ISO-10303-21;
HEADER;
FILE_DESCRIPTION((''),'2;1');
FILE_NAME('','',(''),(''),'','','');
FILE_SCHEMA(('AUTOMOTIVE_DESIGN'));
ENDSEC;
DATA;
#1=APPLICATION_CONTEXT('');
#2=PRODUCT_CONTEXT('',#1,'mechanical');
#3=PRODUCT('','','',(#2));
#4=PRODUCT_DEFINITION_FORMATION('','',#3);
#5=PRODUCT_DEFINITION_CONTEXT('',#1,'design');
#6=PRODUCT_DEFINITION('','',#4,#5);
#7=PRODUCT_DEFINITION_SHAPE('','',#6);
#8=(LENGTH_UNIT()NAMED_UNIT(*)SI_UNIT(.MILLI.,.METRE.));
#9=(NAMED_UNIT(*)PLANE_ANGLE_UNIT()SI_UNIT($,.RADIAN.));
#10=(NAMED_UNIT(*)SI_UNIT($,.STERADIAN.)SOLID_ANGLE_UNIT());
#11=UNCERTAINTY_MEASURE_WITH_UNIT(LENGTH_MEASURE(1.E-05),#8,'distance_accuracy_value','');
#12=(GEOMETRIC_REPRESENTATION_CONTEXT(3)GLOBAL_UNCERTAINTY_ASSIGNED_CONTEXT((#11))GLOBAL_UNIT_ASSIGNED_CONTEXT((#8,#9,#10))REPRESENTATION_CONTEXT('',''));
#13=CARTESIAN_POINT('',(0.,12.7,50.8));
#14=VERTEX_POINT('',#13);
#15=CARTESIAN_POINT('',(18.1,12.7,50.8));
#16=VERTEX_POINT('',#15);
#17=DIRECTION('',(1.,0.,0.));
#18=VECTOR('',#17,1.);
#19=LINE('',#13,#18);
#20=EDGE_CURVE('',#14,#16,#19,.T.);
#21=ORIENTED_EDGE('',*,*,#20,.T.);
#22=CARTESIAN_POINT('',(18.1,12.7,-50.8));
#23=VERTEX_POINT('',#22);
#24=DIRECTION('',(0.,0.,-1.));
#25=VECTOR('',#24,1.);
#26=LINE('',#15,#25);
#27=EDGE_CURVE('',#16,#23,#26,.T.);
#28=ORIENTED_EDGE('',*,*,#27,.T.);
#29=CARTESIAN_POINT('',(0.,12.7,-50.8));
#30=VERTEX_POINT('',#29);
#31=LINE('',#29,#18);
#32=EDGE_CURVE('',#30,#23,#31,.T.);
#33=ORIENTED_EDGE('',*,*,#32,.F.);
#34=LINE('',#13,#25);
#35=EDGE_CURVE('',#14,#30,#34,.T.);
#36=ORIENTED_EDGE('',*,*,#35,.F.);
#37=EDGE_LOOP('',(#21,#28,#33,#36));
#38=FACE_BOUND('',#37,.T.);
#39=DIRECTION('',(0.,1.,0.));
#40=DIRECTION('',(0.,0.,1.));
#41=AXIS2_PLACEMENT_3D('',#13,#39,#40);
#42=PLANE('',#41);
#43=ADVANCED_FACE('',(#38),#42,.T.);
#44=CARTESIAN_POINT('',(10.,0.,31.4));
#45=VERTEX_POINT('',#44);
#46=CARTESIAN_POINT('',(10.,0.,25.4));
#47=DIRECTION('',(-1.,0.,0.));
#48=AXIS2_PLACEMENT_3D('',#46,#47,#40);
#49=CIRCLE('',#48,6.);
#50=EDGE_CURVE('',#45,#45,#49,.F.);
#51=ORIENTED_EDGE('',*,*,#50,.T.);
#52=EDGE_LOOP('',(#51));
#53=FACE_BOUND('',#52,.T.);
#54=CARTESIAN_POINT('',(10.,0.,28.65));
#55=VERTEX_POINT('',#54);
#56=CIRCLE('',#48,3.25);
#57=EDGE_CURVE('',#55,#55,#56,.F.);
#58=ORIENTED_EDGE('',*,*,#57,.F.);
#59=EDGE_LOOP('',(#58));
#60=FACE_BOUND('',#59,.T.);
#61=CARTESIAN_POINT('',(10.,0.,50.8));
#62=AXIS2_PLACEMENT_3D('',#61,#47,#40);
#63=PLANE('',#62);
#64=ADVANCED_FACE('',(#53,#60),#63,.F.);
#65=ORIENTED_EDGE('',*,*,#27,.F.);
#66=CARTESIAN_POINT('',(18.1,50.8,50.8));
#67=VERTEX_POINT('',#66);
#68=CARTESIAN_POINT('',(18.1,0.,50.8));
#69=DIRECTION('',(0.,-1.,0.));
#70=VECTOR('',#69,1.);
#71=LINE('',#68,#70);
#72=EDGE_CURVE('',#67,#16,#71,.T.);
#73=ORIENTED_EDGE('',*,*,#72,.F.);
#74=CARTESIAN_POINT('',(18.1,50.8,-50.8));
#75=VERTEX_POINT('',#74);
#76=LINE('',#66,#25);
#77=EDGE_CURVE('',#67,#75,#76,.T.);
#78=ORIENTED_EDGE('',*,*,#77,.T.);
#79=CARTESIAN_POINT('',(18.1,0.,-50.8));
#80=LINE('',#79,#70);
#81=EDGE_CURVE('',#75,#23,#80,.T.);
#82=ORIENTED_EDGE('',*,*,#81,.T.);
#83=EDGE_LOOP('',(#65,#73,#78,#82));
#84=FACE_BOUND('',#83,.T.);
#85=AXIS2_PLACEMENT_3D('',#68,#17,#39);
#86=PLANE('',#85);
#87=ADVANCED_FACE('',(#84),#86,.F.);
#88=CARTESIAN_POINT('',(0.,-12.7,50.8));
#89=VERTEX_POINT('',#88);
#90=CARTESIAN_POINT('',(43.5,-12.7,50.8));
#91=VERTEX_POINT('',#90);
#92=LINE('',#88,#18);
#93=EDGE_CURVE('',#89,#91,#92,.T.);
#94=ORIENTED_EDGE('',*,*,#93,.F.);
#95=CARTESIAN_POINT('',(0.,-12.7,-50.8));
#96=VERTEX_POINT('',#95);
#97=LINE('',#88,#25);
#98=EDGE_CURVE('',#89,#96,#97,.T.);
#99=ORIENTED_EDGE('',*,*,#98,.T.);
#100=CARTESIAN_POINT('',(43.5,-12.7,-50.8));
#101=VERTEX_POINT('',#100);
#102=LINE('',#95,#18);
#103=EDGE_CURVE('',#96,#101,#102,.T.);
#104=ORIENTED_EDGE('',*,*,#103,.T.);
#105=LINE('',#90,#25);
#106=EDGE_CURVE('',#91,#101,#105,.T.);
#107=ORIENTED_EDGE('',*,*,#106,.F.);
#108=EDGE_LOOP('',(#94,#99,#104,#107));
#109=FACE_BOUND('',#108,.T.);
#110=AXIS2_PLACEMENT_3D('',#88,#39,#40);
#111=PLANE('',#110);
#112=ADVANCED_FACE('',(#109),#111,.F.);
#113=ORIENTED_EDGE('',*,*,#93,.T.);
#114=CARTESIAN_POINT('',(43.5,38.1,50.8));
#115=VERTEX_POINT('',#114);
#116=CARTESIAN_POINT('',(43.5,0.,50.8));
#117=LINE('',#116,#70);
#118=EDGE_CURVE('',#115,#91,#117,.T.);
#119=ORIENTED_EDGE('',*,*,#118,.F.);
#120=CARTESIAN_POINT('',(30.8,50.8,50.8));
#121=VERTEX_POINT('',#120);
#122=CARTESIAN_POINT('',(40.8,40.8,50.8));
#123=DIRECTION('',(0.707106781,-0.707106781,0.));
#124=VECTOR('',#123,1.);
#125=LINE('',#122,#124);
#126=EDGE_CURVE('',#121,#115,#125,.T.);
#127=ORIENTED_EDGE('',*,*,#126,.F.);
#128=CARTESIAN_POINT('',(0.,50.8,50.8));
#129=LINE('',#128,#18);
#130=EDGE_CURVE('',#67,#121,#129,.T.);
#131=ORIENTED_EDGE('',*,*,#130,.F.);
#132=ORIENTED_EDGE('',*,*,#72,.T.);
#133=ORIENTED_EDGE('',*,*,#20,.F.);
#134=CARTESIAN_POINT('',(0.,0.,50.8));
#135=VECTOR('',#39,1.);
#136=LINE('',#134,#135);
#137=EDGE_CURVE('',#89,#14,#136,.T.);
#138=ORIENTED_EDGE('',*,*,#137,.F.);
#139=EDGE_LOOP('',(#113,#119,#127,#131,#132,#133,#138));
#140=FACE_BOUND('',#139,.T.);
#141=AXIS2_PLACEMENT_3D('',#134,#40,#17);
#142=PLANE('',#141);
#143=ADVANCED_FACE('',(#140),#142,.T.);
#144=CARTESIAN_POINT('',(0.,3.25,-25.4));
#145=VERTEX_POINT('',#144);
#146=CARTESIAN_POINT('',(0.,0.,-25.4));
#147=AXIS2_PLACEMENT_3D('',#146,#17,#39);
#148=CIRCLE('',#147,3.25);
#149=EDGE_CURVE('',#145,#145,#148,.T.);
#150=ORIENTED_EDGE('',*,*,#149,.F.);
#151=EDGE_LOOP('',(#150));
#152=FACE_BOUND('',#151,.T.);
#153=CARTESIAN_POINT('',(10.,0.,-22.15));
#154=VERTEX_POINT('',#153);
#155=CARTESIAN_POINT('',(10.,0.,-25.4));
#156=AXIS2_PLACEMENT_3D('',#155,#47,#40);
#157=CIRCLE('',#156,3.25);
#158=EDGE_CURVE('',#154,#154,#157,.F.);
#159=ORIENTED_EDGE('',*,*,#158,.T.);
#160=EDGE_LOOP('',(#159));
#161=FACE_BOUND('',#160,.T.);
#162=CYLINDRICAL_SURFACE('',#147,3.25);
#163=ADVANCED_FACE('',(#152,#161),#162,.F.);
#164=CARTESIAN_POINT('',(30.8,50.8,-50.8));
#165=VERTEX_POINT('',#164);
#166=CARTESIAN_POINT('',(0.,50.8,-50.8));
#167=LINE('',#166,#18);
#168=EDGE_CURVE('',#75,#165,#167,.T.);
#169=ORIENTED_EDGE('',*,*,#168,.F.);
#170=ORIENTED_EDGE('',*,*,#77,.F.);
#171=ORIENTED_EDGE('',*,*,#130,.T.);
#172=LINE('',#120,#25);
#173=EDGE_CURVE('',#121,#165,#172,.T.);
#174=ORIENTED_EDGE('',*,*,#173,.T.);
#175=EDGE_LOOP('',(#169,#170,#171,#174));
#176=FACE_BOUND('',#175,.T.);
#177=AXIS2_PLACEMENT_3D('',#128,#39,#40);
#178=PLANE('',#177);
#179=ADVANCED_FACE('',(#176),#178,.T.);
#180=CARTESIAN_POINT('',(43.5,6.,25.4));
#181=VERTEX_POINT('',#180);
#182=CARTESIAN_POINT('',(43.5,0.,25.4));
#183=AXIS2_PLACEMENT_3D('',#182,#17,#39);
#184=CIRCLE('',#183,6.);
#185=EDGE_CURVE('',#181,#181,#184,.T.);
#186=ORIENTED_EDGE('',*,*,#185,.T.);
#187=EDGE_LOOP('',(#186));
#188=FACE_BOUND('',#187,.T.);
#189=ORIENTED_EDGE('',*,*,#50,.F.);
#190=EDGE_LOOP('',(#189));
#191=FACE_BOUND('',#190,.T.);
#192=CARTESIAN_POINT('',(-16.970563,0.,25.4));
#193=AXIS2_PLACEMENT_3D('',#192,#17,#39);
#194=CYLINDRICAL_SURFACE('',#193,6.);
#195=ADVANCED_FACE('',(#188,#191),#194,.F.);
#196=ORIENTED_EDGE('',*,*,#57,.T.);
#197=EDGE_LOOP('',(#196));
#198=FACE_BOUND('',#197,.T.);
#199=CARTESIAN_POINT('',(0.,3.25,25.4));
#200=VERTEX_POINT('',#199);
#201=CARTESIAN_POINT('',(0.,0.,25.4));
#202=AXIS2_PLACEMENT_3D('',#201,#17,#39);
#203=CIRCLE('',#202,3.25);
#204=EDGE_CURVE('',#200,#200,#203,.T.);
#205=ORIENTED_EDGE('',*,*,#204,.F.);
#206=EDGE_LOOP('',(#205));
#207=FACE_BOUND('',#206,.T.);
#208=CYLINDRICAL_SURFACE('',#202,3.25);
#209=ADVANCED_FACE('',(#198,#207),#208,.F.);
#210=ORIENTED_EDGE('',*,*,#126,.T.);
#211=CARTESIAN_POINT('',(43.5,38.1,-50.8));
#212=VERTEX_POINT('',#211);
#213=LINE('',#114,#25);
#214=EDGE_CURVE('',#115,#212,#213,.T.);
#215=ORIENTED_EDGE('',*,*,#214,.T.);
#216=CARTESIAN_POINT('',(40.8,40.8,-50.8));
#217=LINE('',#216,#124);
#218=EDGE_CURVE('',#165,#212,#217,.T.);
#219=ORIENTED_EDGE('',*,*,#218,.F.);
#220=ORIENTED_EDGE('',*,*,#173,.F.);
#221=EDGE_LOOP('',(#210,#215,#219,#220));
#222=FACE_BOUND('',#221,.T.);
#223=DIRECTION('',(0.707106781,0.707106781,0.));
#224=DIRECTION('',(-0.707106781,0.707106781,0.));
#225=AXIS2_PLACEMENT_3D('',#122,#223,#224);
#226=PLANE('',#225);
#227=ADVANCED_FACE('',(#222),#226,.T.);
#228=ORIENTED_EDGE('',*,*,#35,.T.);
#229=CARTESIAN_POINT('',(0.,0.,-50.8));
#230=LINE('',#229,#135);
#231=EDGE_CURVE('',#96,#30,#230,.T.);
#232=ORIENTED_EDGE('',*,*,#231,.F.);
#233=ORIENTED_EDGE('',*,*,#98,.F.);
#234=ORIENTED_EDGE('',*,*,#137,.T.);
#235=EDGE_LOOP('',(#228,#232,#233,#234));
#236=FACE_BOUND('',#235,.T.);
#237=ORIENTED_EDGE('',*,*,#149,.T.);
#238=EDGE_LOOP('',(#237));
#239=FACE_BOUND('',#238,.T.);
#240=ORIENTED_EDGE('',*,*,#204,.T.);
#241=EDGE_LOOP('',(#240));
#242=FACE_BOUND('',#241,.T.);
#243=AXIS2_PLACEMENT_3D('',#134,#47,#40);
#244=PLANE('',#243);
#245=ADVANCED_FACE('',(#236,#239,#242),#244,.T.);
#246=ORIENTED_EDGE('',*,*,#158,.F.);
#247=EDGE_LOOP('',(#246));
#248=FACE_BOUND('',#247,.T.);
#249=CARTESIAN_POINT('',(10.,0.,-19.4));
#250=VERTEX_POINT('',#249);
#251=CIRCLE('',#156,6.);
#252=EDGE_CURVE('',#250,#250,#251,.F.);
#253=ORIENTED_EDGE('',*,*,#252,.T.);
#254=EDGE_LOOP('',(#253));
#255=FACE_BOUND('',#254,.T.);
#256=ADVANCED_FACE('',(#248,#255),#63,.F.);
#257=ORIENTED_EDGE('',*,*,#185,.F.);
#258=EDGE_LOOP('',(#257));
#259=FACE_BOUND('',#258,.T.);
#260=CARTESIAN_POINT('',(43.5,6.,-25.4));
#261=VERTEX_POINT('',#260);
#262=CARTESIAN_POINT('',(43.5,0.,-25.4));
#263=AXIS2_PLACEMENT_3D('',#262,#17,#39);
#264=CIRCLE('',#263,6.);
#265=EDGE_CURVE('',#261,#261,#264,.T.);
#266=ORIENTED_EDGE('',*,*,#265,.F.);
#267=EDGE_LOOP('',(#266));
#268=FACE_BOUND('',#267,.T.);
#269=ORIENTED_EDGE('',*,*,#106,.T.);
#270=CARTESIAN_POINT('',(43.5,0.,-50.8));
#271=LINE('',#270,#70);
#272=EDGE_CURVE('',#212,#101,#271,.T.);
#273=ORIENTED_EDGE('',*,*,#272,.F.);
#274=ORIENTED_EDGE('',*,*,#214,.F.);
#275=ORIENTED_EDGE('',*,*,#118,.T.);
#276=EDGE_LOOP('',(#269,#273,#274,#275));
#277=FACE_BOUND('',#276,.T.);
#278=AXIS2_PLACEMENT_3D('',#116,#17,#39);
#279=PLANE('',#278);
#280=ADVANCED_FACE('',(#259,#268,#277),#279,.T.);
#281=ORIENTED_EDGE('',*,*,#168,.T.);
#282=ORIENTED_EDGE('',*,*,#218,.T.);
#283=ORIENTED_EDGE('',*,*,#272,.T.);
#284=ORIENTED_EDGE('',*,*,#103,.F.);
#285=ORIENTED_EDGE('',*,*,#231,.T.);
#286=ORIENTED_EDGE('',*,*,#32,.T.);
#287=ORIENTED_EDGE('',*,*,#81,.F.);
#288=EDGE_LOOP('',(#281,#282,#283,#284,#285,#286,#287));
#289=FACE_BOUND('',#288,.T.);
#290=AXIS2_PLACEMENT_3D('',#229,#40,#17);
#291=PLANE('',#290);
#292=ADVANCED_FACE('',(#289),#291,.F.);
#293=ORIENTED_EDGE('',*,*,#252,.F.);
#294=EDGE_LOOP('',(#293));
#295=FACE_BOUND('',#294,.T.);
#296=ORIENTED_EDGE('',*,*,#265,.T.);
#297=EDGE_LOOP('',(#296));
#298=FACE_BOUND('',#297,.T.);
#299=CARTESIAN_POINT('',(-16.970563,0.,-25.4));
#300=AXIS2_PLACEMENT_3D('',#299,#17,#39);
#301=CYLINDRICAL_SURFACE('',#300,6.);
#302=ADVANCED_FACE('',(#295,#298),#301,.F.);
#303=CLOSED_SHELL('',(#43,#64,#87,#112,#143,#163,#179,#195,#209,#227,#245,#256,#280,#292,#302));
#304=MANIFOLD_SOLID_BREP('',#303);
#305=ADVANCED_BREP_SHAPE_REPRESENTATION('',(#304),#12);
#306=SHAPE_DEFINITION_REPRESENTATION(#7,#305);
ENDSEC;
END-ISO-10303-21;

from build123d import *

# Parameters (mm, degrees)
BOSS_EXTRUDE1_DEPTH = 50.8
SKETCH2_R           = 3.25
CUT_EXTRUDE1_DEPTH  = 84.985296332
SKETCH3_R           = 6
CUT_EXTRUDE2_DEPTH  = 33.5


with BuildPart() as part:
    # Sketch1 → Boss-Extrude1 (new, symmetric)
    with BuildSketch(Plane.XY):
        Polygon((43.5, 38.1), (30.8, 50.8), (18.1, 50.8), (18.1, 12.7), (0, 12.7), (0, -12.7), (43.5, -12.7), align=None)
    extrude(amount=BOSS_EXTRUDE1_DEPTH, both=True)

    # Sketch2 → Cut-Extrude1 (cut, through all)
    with BuildSketch(Plane(origin=(43.5, 0, 0), x_dir=(0, 0, -1), z_dir=(1, 0, 0))):
        with Locations(Location((-25.4, 0, 0), (0, 0, 90))):
            Circle(SKETCH2_R)
        with Locations(Location((25.4, 0, 0), (0, 0, 90))):
            Circle(SKETCH2_R)
    extrude(amount=-CUT_EXTRUDE1_DEPTH, mode=Mode.SUBTRACT)

    # Sketch3 → Cut-Extrude2 (cut)
    with BuildSketch(Plane(origin=(43.5, 0, 0), x_dir=(0, 0, -1), z_dir=(1, 0, 0))):
        with Locations(Location((-25.4, 0, 0), (0, 0, 90))):
            Circle(SKETCH3_R)
        with Locations(Location((25.4, 0, 0), (0, 0, 90))):
            Circle(SKETCH3_R)
    extrude(amount=-CUT_EXTRUDE2_DEPTH, mode=Mode.SUBTRACT)


solid = part.part
